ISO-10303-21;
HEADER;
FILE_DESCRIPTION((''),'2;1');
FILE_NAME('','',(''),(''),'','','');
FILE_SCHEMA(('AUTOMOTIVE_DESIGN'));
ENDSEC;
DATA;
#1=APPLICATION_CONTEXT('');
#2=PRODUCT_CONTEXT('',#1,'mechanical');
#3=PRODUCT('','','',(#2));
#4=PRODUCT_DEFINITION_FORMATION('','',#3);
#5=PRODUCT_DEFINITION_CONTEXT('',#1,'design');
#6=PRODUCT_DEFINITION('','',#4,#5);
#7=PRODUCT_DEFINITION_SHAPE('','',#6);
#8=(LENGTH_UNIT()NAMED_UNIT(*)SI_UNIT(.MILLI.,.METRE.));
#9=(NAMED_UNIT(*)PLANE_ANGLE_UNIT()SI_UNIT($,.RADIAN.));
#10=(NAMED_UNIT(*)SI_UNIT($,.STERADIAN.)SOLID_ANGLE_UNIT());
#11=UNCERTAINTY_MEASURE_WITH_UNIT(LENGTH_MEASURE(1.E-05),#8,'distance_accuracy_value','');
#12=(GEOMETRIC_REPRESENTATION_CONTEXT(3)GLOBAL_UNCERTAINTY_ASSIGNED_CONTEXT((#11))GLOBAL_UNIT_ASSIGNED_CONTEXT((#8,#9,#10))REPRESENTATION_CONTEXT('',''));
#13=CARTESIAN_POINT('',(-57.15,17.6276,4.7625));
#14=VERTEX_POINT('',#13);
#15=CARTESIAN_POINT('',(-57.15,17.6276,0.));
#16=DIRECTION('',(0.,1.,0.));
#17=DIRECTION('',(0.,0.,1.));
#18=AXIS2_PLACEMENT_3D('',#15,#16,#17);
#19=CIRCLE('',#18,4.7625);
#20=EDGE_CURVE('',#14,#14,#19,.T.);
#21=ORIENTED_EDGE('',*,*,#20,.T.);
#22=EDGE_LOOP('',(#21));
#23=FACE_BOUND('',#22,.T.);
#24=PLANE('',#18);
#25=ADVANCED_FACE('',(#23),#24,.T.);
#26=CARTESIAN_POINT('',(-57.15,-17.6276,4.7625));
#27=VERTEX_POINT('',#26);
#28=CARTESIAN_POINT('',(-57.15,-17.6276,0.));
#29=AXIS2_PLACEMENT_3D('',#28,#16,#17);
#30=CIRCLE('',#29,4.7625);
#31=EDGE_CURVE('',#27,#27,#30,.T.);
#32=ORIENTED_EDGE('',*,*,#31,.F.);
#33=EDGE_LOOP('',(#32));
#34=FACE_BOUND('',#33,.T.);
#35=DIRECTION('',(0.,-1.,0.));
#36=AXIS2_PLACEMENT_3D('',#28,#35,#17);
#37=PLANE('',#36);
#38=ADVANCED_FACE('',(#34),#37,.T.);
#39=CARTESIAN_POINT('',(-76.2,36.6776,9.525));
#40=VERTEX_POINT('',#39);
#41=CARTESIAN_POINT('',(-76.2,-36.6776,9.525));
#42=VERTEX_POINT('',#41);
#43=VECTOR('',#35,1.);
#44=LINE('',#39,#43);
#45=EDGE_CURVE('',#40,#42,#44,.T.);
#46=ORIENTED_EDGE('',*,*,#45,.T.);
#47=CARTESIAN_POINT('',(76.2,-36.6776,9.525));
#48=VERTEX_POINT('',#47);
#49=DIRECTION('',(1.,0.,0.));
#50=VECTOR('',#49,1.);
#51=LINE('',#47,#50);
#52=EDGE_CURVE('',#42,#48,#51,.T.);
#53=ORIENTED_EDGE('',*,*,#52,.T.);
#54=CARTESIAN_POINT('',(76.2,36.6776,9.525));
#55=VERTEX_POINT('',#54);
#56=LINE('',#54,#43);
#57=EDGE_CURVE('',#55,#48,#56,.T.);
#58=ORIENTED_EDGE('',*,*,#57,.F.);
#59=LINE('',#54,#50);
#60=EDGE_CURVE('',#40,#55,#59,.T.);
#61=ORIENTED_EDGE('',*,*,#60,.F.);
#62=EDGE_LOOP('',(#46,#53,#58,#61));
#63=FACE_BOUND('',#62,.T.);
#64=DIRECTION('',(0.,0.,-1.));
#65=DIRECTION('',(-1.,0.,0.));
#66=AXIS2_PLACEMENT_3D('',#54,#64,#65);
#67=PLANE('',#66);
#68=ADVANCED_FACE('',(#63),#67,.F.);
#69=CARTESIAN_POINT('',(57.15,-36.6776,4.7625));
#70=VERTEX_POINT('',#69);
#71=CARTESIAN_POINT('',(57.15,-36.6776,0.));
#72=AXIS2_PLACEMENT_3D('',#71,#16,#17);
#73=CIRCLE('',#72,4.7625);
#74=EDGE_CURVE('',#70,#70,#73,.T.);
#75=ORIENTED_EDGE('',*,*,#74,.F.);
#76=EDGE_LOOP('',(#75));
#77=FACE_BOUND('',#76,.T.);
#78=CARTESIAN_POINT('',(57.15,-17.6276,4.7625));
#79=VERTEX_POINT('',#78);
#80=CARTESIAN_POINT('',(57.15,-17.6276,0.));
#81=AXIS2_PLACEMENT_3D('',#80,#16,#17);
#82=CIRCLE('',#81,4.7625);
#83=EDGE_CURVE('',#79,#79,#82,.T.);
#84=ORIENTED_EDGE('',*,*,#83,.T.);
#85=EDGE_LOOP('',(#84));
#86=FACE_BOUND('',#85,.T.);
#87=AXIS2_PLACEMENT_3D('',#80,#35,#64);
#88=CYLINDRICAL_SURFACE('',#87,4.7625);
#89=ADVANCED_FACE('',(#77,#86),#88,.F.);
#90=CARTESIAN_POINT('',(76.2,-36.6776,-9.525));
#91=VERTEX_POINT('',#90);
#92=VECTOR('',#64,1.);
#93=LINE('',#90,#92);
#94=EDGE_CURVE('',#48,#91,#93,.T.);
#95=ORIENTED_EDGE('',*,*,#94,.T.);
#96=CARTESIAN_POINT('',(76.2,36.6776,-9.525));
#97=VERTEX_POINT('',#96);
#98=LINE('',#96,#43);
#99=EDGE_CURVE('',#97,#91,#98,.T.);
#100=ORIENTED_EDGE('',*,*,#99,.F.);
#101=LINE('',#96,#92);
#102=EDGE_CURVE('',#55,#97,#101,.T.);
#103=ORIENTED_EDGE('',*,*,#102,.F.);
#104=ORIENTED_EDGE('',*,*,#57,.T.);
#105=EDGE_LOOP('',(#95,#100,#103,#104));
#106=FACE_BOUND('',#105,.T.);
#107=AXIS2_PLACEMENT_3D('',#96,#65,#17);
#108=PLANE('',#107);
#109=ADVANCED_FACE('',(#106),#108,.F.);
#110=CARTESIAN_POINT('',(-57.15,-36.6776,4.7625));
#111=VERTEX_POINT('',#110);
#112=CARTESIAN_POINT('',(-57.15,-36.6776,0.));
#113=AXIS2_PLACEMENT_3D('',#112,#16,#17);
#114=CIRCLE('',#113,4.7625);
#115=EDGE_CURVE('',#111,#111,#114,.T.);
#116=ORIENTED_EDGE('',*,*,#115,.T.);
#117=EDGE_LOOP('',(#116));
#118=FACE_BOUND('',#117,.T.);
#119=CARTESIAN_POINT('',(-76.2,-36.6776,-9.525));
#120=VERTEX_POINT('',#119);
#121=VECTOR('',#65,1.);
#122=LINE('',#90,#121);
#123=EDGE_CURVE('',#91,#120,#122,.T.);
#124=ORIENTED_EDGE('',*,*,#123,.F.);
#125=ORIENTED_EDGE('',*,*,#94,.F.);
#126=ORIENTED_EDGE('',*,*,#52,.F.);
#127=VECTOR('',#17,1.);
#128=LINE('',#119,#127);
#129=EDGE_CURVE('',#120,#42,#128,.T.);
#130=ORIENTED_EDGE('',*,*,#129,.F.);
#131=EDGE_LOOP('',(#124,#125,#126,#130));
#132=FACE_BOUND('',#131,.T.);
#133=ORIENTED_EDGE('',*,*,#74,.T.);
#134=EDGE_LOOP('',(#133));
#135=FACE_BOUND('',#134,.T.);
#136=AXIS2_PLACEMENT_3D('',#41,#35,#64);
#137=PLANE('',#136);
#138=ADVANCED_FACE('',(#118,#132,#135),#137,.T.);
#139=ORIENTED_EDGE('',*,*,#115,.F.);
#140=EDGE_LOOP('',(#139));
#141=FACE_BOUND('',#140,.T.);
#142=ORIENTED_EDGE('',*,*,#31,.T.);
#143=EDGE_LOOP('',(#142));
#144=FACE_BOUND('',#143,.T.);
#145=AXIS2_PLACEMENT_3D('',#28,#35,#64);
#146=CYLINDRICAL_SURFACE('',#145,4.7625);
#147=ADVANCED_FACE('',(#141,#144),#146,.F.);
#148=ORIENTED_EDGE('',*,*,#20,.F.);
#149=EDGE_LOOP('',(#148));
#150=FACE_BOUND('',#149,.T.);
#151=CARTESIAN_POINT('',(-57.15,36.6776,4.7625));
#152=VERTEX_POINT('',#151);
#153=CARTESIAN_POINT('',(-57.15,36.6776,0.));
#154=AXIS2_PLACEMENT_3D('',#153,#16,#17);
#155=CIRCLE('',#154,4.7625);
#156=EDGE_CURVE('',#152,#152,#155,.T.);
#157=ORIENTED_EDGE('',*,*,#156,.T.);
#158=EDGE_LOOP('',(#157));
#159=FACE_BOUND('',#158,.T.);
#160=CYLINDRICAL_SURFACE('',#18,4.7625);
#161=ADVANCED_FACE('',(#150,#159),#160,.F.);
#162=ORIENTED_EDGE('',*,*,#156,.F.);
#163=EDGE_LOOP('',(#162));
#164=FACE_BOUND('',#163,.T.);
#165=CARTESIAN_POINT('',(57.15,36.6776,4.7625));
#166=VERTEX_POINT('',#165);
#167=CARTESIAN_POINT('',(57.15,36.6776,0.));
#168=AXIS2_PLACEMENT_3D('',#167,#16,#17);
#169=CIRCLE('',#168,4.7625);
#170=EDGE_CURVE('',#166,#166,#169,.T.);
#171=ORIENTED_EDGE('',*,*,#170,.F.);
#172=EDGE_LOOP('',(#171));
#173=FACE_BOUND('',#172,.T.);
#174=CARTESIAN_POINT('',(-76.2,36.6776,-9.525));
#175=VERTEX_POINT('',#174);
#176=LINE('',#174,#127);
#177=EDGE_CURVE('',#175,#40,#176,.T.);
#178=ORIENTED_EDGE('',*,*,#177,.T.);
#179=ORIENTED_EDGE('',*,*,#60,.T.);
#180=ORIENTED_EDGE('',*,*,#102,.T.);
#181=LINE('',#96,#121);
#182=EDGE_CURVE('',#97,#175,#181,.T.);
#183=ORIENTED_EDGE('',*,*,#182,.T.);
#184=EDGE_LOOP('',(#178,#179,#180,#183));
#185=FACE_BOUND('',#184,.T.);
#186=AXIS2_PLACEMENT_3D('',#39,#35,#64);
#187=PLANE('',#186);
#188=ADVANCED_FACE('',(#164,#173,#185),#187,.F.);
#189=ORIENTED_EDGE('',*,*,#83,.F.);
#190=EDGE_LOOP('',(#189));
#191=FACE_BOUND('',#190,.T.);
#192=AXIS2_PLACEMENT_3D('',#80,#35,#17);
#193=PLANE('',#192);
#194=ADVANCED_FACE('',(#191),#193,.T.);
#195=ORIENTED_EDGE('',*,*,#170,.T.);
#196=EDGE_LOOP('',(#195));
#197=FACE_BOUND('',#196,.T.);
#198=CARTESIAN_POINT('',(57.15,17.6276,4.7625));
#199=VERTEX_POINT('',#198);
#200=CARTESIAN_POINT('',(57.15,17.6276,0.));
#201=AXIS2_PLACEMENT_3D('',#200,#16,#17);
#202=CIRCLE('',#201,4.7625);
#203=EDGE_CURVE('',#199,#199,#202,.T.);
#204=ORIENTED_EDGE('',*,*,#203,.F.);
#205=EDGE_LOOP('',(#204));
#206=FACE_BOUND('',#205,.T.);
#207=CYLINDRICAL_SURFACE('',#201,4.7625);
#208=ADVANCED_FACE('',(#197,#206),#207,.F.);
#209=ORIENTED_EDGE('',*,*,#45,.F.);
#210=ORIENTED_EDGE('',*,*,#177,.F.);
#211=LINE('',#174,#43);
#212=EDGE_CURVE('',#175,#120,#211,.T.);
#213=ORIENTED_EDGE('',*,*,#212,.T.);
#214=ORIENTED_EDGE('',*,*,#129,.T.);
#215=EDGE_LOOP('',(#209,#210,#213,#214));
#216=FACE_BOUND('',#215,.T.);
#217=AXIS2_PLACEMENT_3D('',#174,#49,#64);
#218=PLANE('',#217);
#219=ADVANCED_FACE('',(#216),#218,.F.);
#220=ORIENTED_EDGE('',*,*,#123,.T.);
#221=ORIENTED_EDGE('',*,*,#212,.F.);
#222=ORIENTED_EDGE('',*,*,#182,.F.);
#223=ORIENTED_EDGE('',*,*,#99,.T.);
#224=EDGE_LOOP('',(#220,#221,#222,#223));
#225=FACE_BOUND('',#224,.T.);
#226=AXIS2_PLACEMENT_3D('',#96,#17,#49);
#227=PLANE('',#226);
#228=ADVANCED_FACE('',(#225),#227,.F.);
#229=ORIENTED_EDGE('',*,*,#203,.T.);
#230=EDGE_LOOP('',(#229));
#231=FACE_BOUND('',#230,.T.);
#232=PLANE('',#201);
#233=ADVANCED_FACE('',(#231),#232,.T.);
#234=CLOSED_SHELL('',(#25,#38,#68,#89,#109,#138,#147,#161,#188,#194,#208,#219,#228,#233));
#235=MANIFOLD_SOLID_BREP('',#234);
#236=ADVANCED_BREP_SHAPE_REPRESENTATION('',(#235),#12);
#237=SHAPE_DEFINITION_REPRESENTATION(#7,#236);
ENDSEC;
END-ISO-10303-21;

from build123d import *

# Parameters (mm, degrees)
SKETCH1_W           = 152.4
SKETCH1_H           = 19.05
BOSS_EXTRUDE1_DEPTH = 36.6776
SKETCH2_R           = 4.7625
CUT_EXTRUDE1_DEPTH  = 19.05


with BuildPart() as part:
    # Sketch1 → Boss-Extrude1 (new body, symmetric)
    with BuildSketch(Plane(origin=(0, 0, 0), x_dir=(1, 0, 0), z_dir=(0, 1, 0))):
        Rectangle(SKETCH1_W, SKETCH1_H)
    extrude(amount=BOSS_EXTRUDE1_DEPTH, both=True)

    # Sketch2 → Cut-Extrude1 (cut)
    with BuildSketch(Plane(origin=(0, 36.6776, 0), x_dir=(1, 0, 0), z_dir=(0, 1, 0))):
        with Locations((-57.15, 0)):
            Circle(SKETCH2_R)
        with Locations((57.15, 0)):
            Circle(SKETCH2_R)
    cut_extrude1 = extrude(amount=-CUT_EXTRUDE1_DEPTH, mode=Mode.SUBTRACT)

    # Mirror2: Cut-Extrude1 across plane
    add(cut_extrude1.mirror(Plane.ZX), mode=Mode.SUBTRACT)


solid = part.part
